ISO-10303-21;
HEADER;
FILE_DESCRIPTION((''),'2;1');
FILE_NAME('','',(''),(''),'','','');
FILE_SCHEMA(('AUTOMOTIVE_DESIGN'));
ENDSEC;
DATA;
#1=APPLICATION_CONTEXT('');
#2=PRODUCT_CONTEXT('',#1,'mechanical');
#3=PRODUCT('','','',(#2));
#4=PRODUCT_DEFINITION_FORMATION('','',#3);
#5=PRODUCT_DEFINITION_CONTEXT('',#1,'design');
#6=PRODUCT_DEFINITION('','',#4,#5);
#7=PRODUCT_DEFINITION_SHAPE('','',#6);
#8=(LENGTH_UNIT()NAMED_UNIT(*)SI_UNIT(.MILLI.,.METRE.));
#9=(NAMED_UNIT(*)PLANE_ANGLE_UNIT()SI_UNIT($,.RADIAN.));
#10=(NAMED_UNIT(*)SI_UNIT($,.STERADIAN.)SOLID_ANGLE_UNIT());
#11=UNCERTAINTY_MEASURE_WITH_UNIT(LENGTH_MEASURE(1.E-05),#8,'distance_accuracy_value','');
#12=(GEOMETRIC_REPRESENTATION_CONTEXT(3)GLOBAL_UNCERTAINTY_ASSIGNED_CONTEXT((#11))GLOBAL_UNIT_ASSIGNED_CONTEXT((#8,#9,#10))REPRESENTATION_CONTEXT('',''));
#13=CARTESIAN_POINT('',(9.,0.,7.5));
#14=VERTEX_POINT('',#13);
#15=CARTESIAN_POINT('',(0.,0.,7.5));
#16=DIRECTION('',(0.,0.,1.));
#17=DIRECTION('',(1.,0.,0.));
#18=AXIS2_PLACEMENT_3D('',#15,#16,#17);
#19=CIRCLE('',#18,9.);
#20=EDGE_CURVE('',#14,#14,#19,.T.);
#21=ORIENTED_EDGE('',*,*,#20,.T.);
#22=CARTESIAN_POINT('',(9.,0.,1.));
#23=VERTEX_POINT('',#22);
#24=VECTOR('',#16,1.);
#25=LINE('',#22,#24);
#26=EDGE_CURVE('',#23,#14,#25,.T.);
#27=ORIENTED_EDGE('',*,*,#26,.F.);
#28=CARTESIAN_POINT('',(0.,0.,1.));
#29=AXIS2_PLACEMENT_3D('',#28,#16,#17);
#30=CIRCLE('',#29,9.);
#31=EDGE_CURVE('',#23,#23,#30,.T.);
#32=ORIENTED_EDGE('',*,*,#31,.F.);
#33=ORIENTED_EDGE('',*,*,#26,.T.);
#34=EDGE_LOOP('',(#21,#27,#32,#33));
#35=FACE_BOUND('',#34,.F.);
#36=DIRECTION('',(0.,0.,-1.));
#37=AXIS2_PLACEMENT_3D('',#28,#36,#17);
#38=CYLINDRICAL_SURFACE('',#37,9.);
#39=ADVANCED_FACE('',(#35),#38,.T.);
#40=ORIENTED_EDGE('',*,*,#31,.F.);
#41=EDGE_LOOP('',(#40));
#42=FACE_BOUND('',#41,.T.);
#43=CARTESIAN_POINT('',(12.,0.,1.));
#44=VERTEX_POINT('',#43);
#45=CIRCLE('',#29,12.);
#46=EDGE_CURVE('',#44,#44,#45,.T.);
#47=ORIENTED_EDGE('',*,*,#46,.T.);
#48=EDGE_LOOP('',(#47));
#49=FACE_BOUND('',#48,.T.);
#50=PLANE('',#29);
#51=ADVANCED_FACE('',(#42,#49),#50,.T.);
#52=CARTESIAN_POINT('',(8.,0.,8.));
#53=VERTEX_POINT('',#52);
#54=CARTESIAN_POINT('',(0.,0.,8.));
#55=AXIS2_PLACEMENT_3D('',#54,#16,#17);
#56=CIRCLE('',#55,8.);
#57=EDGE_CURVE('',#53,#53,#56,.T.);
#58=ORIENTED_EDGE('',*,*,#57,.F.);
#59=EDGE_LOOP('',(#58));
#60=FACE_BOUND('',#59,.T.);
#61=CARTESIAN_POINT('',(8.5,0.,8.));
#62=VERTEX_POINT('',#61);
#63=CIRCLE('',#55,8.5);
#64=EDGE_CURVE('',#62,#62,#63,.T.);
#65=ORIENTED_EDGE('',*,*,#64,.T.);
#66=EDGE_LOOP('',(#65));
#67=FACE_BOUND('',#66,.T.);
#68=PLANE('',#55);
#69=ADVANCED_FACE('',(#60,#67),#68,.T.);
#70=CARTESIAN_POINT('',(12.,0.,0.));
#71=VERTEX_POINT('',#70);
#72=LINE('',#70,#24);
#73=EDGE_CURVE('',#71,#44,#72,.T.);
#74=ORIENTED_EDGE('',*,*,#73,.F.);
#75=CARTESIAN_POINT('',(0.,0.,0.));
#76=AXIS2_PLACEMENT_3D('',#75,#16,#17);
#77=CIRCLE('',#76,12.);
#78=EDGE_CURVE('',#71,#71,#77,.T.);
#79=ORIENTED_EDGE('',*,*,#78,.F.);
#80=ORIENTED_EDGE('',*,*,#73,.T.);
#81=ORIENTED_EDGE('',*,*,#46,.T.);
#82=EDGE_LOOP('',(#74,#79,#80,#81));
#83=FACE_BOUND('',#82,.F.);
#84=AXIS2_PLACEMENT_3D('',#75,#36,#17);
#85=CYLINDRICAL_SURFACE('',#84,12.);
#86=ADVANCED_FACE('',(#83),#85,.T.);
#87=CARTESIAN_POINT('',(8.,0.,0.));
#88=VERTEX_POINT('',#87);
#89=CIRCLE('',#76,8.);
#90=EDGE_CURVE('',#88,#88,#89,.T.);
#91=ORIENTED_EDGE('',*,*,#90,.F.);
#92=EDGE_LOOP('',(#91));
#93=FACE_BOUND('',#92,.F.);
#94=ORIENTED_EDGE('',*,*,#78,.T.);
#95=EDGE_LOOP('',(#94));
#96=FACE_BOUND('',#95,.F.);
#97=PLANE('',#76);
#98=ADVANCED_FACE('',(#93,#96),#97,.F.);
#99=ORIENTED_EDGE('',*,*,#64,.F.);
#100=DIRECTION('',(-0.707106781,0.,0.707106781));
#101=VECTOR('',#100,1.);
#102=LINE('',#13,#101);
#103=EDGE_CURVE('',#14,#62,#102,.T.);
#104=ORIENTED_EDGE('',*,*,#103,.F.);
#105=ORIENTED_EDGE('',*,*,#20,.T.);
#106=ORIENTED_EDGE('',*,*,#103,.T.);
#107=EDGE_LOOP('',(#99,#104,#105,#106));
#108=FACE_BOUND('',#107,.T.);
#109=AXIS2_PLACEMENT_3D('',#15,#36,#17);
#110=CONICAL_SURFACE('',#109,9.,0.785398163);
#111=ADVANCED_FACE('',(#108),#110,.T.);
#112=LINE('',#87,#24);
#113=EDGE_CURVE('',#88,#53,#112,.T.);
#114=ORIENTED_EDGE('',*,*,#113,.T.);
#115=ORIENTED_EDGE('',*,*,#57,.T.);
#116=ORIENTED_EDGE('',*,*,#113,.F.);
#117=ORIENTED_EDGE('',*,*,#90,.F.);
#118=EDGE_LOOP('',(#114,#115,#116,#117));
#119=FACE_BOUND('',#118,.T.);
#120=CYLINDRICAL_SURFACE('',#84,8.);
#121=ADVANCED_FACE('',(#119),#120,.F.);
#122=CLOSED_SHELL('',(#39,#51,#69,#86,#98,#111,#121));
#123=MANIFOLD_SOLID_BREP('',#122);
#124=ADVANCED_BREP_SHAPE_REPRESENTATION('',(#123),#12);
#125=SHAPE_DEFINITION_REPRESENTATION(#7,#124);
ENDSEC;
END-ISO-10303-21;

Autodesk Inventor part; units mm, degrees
ref_plane "YZ Plane" through (0, 0, 0) normal (1, 0, 0) x (0, 1, 0)
ref_plane "XZ Plane" through (0, 0, 0) normal (0, 1, 0) x (-1, 0, 0)
ref_plane "XY Plane" through (0, 0, 0) normal (0, 0, 1) x (1, 0, 0)
sketch "スケッチ1" plane through (0, 0, 0) normal (0, 0, 1) x (1, 0, 0)
  circle A0 centre (0, 0) radius 8
  circle A1 centre (0, 0) radius 12
  dimension "d0" = 16
  dimension "d1" = 24
extrude "押し出し1" add sketch "スケッチ1" along normal blind 1
sketch "スケッチ2" plane through (0, 0, 1) normal (0, 0, 1) x (1, 0, 0)
  circle A0 centre (0, 0) radius 9
  circle A1 centre (0, 0) radius 12 projected
  circle A2 centre (0, 0) radius 8 projected
  dimension "d4" = 18
extrude "押し出し2" add sketch "スケッチ2" along normal blind 7 contours A0
chamfer "面取り1" distance 0.5 angle 45 1 edges at (-9, 0, 8)
properties part number "オイレスw10f16-18a" material "アセタール樹脂、黒"
